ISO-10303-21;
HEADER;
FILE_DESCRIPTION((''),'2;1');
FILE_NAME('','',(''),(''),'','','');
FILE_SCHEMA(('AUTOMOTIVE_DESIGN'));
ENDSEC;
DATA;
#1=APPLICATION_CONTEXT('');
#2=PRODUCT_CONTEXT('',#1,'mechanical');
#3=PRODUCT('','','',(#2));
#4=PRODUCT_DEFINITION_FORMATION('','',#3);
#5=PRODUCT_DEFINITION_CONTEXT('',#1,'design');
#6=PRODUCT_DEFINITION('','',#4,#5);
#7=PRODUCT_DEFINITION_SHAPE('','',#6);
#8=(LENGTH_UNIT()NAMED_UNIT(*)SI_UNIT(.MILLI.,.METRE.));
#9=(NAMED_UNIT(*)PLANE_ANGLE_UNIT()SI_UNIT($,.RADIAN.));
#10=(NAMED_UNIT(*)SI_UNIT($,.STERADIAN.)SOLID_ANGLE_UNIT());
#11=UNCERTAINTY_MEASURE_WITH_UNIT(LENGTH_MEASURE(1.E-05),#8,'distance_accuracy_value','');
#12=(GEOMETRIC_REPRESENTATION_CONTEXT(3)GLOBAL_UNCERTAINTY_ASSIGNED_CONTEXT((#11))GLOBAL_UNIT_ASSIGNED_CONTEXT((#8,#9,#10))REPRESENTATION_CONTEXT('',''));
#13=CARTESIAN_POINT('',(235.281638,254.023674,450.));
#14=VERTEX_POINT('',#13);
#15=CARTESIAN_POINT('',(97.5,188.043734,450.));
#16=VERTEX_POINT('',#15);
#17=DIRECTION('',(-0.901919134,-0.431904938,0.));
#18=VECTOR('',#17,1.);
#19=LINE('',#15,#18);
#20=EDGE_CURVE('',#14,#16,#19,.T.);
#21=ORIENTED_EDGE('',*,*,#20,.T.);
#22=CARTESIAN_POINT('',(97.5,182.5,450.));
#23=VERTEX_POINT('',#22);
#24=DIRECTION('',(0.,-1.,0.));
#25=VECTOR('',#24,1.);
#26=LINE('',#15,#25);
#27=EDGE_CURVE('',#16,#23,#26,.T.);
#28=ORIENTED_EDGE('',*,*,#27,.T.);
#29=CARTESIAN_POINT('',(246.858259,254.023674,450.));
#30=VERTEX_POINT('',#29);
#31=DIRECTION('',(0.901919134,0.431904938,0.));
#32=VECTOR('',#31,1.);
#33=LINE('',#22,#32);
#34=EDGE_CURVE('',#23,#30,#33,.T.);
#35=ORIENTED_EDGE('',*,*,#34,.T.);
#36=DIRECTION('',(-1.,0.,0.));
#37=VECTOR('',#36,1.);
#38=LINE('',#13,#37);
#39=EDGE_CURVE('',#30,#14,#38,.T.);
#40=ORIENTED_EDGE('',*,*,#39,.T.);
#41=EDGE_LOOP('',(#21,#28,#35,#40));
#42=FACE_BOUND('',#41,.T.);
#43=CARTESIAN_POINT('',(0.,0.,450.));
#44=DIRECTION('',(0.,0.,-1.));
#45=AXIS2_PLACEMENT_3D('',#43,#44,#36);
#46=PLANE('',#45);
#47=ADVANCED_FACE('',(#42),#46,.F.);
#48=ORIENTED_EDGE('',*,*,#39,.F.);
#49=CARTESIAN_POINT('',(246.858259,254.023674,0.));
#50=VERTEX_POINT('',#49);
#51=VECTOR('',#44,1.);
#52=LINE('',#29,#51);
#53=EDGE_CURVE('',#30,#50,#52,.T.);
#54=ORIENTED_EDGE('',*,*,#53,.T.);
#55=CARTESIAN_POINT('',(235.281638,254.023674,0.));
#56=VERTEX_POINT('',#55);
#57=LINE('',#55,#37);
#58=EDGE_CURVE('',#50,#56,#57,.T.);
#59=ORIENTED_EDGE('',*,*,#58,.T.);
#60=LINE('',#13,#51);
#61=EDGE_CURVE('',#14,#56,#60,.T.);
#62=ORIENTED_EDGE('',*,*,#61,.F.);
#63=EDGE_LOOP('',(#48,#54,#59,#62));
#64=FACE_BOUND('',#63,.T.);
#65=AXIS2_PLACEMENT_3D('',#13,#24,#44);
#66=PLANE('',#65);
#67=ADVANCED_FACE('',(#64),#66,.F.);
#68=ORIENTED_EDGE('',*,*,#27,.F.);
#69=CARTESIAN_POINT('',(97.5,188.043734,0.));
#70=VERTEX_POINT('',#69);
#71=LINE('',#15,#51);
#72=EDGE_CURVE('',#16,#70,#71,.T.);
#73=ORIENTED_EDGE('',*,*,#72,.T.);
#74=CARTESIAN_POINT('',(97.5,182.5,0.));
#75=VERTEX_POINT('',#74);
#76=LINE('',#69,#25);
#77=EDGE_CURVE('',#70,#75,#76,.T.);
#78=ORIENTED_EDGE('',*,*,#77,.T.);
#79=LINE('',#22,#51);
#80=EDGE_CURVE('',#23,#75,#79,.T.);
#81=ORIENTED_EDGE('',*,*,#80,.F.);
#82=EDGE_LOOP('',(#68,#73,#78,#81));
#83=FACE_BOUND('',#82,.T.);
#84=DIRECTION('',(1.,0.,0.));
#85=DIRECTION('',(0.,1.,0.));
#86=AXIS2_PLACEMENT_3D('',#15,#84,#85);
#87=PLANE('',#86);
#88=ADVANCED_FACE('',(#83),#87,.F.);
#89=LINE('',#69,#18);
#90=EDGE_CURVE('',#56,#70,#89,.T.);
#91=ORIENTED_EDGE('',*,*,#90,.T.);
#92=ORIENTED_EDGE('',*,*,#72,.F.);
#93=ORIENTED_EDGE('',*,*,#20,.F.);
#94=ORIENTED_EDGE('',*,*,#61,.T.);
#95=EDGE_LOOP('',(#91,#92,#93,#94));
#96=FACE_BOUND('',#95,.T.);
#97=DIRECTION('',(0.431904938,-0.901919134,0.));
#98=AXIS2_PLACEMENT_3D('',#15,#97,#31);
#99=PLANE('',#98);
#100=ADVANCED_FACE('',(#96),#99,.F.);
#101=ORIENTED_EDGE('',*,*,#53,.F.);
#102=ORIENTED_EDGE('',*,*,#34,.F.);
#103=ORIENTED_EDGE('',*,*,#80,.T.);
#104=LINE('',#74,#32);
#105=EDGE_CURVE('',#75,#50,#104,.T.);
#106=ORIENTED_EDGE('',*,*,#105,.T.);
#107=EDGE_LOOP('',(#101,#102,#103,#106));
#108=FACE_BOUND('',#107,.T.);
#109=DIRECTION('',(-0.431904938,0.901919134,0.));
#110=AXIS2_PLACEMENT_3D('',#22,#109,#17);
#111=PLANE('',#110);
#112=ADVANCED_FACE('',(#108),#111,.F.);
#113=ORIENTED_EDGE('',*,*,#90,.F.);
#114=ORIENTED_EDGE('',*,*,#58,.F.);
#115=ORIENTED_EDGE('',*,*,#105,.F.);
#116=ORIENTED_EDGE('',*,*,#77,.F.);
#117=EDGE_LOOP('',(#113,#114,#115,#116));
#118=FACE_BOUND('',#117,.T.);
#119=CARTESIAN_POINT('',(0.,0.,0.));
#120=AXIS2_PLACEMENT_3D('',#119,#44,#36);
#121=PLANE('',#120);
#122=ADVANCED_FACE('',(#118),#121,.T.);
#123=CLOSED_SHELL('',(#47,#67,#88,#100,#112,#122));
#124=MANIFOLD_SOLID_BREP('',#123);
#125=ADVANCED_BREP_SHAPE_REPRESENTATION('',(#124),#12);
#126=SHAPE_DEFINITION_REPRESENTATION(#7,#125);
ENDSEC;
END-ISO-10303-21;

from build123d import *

# Parameters (mm, degrees)
AUFSATZ_LINEAR_AUSTRAGEN1_DEPTH = 450


with BuildPart() as part:
    # Skizze1 → Aufsatz-Linear austragen1 (new body)
    with BuildSketch(Plane.XY):
        Polygon((97.5, 188.043734255), (97.5, 182.5), (246.858259494, 254.02367356), (235.281637962, 254.02367356), align=None)
    extrude(amount=AUFSATZ_LINEAR_AUSTRAGEN1_DEPTH)


solid = part.part
